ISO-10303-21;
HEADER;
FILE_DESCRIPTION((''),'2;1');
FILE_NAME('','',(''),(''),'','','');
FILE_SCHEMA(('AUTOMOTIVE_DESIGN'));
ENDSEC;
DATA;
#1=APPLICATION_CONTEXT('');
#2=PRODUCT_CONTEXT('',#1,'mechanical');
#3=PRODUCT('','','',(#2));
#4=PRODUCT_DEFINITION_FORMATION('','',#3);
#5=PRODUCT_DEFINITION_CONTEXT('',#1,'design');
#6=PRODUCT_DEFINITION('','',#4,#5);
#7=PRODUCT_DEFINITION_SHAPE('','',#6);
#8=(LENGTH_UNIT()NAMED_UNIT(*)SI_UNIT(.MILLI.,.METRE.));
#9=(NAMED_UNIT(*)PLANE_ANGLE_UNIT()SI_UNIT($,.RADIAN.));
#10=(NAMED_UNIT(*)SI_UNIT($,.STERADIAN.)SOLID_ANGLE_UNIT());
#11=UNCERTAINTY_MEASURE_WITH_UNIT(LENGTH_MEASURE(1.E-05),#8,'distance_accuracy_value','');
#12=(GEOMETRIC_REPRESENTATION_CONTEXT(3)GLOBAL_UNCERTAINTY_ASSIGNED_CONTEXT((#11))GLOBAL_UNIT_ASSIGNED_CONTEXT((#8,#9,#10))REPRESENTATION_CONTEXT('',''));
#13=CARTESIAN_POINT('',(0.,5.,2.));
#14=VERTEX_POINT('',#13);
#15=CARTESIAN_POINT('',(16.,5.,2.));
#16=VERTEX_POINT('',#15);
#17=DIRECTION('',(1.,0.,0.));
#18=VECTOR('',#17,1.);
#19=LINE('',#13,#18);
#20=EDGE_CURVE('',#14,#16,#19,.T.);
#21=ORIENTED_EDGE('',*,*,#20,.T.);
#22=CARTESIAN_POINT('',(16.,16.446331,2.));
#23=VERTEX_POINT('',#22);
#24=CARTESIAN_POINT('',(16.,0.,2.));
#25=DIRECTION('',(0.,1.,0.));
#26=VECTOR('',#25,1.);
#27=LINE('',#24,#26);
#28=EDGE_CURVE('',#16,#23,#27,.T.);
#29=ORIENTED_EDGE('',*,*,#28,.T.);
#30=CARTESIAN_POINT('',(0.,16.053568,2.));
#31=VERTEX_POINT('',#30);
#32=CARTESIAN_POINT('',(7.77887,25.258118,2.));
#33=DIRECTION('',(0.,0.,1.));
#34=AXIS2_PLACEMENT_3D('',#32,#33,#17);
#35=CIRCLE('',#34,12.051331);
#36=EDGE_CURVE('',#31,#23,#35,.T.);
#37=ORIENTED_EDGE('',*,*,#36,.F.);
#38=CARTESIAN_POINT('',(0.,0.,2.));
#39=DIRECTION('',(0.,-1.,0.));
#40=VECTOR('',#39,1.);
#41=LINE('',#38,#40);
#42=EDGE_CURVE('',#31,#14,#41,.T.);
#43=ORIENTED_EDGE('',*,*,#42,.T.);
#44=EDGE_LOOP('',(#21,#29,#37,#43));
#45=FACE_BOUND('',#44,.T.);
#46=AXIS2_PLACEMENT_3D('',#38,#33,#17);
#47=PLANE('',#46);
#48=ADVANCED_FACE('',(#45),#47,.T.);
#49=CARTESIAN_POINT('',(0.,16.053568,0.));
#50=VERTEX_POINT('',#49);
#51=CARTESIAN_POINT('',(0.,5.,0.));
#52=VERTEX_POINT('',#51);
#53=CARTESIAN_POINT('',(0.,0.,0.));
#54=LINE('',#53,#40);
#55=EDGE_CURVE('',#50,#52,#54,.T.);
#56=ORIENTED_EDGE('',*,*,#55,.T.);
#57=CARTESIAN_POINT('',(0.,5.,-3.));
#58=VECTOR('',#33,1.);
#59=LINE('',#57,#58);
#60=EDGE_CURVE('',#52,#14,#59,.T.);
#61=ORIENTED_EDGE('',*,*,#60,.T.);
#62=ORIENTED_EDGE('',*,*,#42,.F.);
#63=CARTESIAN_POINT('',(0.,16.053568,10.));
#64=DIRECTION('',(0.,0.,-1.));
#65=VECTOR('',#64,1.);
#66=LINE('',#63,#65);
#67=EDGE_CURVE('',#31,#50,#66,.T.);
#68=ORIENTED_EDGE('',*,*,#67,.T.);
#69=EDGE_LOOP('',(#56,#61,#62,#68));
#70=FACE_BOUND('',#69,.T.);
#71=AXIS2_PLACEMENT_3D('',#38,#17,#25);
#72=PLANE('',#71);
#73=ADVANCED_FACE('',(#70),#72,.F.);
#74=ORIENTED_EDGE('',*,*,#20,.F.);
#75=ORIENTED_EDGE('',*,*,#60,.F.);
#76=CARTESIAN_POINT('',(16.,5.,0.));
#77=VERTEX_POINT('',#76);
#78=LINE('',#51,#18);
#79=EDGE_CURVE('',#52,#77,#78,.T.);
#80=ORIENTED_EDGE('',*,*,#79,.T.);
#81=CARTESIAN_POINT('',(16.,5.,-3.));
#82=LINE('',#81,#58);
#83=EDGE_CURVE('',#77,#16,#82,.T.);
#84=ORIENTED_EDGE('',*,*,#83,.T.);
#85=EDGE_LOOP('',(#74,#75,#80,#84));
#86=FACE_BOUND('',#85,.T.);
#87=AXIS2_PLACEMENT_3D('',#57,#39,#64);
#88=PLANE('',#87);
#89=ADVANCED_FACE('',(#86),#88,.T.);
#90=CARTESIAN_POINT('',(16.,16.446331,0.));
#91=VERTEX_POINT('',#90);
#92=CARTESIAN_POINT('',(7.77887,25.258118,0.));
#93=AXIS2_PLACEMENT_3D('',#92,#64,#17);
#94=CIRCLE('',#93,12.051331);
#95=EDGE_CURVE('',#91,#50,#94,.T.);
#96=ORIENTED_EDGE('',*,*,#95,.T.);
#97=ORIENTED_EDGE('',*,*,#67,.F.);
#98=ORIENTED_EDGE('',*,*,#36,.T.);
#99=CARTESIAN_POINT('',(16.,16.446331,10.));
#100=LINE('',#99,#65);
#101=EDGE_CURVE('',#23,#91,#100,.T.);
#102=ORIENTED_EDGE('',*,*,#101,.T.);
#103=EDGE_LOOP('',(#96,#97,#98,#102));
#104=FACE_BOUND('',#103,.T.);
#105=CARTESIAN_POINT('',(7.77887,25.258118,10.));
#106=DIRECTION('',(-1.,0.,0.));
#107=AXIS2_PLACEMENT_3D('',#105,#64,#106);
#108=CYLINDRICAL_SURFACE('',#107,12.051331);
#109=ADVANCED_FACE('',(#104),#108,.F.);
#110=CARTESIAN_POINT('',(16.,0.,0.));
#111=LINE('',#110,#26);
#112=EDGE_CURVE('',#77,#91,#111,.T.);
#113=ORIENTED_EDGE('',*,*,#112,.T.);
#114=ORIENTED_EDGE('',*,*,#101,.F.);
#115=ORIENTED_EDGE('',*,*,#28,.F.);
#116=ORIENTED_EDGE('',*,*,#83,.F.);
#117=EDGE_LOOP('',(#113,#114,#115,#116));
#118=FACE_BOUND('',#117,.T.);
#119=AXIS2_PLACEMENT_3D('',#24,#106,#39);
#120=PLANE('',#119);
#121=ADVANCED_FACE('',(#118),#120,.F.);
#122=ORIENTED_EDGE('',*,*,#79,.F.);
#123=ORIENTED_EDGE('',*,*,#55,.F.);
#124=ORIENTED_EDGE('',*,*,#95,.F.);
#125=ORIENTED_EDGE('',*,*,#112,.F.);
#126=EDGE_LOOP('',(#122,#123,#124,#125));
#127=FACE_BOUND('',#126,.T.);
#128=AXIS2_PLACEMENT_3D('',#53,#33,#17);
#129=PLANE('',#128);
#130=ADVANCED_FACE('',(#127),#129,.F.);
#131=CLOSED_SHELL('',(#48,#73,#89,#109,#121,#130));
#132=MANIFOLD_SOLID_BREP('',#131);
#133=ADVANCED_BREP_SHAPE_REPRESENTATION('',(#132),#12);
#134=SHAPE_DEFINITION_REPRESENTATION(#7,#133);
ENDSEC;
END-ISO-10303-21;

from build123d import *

# Parameters (mm, degrees)
SZKIC1_W                    = 16
SZKIC1_H                    = 31.855734842
DODANIE_WYCI_GNI_CIE1_DEPTH = 2
SZKIC2_W                    = 16
SZKIC2_H                    = 5
WYTNIJ_WYCI_GNI_CIE1_DEPTH  = 5
WYTNIJ_WYCI_GNI_CIE2_DEPTH  = 10
WYTNIJ_WYCI_GNI_CIE3_DEPTH  = 10


with BuildPart() as part:
    # Szkic1 → Dodanie-wyciągnięcie1 (new body)
    with BuildSketch(Plane.XY):
        with Locations((8, 15.927867421)):
            Rectangle(SZKIC1_W, SZKIC1_H)
    extrude(amount=DODANIE_WYCI_GNI_CIE1_DEPTH)

    # Szkic2 → Wytnij-wyciągnięcie1 (cut)
    with BuildSketch(Plane.XY.offset(2)):
        with Locations((8, 2.5)):
            Rectangle(SZKIC2_W, SZKIC2_H)
    extrude(amount=-WYTNIJ_WYCI_GNI_CIE1_DEPTH, mode=Mode.SUBTRACT)

    # Szkic6 → Wytnij-wyciągnięcie2 (cut)
    with BuildSketch(Plane(origin=(0, 0, 0), x_dir=(-1, 0, 0), z_dir=(0, 0, -1))):
        with BuildLine():
            Line((0, 31.855734842), (-16, 31.855734842))
            Line((-16, 31.855734842), (-16, 18.750886073))
            ThreePointArc((-16, 18.750886073), (-8.06030582, 15.602264045), (0, 18.427867421))
            Line((0, 18.427867421), (0, 31.855734842))
        make_face()
    extrude(amount=-WYTNIJ_WYCI_GNI_CIE2_DEPTH, mode=Mode.SUBTRACT)

    # Szkic8 → Wytnij-wyciągnięcie3 (cut)
    with BuildSketch(Plane(origin=(0, 0, 0), x_dir=(-1, 0, 0), z_dir=(0, 0, -1))):
        with BuildLine():
            Line((-16, 18.750886073), (-16, 16.446330699))
            ThreePointArc((-16, 16.446330699), (-8.074613492, 13.210416858), (0, 16.05356769))
            Line((0, 16.05356769), (0, 18.427867421))
            Line((0, 18.427867421), (-16, 18.750886073))
        make_face()
    extrude(amount=-WYTNIJ_WYCI_GNI_CIE3_DEPTH, mode=Mode.SUBTRACT)


solid = part.part
